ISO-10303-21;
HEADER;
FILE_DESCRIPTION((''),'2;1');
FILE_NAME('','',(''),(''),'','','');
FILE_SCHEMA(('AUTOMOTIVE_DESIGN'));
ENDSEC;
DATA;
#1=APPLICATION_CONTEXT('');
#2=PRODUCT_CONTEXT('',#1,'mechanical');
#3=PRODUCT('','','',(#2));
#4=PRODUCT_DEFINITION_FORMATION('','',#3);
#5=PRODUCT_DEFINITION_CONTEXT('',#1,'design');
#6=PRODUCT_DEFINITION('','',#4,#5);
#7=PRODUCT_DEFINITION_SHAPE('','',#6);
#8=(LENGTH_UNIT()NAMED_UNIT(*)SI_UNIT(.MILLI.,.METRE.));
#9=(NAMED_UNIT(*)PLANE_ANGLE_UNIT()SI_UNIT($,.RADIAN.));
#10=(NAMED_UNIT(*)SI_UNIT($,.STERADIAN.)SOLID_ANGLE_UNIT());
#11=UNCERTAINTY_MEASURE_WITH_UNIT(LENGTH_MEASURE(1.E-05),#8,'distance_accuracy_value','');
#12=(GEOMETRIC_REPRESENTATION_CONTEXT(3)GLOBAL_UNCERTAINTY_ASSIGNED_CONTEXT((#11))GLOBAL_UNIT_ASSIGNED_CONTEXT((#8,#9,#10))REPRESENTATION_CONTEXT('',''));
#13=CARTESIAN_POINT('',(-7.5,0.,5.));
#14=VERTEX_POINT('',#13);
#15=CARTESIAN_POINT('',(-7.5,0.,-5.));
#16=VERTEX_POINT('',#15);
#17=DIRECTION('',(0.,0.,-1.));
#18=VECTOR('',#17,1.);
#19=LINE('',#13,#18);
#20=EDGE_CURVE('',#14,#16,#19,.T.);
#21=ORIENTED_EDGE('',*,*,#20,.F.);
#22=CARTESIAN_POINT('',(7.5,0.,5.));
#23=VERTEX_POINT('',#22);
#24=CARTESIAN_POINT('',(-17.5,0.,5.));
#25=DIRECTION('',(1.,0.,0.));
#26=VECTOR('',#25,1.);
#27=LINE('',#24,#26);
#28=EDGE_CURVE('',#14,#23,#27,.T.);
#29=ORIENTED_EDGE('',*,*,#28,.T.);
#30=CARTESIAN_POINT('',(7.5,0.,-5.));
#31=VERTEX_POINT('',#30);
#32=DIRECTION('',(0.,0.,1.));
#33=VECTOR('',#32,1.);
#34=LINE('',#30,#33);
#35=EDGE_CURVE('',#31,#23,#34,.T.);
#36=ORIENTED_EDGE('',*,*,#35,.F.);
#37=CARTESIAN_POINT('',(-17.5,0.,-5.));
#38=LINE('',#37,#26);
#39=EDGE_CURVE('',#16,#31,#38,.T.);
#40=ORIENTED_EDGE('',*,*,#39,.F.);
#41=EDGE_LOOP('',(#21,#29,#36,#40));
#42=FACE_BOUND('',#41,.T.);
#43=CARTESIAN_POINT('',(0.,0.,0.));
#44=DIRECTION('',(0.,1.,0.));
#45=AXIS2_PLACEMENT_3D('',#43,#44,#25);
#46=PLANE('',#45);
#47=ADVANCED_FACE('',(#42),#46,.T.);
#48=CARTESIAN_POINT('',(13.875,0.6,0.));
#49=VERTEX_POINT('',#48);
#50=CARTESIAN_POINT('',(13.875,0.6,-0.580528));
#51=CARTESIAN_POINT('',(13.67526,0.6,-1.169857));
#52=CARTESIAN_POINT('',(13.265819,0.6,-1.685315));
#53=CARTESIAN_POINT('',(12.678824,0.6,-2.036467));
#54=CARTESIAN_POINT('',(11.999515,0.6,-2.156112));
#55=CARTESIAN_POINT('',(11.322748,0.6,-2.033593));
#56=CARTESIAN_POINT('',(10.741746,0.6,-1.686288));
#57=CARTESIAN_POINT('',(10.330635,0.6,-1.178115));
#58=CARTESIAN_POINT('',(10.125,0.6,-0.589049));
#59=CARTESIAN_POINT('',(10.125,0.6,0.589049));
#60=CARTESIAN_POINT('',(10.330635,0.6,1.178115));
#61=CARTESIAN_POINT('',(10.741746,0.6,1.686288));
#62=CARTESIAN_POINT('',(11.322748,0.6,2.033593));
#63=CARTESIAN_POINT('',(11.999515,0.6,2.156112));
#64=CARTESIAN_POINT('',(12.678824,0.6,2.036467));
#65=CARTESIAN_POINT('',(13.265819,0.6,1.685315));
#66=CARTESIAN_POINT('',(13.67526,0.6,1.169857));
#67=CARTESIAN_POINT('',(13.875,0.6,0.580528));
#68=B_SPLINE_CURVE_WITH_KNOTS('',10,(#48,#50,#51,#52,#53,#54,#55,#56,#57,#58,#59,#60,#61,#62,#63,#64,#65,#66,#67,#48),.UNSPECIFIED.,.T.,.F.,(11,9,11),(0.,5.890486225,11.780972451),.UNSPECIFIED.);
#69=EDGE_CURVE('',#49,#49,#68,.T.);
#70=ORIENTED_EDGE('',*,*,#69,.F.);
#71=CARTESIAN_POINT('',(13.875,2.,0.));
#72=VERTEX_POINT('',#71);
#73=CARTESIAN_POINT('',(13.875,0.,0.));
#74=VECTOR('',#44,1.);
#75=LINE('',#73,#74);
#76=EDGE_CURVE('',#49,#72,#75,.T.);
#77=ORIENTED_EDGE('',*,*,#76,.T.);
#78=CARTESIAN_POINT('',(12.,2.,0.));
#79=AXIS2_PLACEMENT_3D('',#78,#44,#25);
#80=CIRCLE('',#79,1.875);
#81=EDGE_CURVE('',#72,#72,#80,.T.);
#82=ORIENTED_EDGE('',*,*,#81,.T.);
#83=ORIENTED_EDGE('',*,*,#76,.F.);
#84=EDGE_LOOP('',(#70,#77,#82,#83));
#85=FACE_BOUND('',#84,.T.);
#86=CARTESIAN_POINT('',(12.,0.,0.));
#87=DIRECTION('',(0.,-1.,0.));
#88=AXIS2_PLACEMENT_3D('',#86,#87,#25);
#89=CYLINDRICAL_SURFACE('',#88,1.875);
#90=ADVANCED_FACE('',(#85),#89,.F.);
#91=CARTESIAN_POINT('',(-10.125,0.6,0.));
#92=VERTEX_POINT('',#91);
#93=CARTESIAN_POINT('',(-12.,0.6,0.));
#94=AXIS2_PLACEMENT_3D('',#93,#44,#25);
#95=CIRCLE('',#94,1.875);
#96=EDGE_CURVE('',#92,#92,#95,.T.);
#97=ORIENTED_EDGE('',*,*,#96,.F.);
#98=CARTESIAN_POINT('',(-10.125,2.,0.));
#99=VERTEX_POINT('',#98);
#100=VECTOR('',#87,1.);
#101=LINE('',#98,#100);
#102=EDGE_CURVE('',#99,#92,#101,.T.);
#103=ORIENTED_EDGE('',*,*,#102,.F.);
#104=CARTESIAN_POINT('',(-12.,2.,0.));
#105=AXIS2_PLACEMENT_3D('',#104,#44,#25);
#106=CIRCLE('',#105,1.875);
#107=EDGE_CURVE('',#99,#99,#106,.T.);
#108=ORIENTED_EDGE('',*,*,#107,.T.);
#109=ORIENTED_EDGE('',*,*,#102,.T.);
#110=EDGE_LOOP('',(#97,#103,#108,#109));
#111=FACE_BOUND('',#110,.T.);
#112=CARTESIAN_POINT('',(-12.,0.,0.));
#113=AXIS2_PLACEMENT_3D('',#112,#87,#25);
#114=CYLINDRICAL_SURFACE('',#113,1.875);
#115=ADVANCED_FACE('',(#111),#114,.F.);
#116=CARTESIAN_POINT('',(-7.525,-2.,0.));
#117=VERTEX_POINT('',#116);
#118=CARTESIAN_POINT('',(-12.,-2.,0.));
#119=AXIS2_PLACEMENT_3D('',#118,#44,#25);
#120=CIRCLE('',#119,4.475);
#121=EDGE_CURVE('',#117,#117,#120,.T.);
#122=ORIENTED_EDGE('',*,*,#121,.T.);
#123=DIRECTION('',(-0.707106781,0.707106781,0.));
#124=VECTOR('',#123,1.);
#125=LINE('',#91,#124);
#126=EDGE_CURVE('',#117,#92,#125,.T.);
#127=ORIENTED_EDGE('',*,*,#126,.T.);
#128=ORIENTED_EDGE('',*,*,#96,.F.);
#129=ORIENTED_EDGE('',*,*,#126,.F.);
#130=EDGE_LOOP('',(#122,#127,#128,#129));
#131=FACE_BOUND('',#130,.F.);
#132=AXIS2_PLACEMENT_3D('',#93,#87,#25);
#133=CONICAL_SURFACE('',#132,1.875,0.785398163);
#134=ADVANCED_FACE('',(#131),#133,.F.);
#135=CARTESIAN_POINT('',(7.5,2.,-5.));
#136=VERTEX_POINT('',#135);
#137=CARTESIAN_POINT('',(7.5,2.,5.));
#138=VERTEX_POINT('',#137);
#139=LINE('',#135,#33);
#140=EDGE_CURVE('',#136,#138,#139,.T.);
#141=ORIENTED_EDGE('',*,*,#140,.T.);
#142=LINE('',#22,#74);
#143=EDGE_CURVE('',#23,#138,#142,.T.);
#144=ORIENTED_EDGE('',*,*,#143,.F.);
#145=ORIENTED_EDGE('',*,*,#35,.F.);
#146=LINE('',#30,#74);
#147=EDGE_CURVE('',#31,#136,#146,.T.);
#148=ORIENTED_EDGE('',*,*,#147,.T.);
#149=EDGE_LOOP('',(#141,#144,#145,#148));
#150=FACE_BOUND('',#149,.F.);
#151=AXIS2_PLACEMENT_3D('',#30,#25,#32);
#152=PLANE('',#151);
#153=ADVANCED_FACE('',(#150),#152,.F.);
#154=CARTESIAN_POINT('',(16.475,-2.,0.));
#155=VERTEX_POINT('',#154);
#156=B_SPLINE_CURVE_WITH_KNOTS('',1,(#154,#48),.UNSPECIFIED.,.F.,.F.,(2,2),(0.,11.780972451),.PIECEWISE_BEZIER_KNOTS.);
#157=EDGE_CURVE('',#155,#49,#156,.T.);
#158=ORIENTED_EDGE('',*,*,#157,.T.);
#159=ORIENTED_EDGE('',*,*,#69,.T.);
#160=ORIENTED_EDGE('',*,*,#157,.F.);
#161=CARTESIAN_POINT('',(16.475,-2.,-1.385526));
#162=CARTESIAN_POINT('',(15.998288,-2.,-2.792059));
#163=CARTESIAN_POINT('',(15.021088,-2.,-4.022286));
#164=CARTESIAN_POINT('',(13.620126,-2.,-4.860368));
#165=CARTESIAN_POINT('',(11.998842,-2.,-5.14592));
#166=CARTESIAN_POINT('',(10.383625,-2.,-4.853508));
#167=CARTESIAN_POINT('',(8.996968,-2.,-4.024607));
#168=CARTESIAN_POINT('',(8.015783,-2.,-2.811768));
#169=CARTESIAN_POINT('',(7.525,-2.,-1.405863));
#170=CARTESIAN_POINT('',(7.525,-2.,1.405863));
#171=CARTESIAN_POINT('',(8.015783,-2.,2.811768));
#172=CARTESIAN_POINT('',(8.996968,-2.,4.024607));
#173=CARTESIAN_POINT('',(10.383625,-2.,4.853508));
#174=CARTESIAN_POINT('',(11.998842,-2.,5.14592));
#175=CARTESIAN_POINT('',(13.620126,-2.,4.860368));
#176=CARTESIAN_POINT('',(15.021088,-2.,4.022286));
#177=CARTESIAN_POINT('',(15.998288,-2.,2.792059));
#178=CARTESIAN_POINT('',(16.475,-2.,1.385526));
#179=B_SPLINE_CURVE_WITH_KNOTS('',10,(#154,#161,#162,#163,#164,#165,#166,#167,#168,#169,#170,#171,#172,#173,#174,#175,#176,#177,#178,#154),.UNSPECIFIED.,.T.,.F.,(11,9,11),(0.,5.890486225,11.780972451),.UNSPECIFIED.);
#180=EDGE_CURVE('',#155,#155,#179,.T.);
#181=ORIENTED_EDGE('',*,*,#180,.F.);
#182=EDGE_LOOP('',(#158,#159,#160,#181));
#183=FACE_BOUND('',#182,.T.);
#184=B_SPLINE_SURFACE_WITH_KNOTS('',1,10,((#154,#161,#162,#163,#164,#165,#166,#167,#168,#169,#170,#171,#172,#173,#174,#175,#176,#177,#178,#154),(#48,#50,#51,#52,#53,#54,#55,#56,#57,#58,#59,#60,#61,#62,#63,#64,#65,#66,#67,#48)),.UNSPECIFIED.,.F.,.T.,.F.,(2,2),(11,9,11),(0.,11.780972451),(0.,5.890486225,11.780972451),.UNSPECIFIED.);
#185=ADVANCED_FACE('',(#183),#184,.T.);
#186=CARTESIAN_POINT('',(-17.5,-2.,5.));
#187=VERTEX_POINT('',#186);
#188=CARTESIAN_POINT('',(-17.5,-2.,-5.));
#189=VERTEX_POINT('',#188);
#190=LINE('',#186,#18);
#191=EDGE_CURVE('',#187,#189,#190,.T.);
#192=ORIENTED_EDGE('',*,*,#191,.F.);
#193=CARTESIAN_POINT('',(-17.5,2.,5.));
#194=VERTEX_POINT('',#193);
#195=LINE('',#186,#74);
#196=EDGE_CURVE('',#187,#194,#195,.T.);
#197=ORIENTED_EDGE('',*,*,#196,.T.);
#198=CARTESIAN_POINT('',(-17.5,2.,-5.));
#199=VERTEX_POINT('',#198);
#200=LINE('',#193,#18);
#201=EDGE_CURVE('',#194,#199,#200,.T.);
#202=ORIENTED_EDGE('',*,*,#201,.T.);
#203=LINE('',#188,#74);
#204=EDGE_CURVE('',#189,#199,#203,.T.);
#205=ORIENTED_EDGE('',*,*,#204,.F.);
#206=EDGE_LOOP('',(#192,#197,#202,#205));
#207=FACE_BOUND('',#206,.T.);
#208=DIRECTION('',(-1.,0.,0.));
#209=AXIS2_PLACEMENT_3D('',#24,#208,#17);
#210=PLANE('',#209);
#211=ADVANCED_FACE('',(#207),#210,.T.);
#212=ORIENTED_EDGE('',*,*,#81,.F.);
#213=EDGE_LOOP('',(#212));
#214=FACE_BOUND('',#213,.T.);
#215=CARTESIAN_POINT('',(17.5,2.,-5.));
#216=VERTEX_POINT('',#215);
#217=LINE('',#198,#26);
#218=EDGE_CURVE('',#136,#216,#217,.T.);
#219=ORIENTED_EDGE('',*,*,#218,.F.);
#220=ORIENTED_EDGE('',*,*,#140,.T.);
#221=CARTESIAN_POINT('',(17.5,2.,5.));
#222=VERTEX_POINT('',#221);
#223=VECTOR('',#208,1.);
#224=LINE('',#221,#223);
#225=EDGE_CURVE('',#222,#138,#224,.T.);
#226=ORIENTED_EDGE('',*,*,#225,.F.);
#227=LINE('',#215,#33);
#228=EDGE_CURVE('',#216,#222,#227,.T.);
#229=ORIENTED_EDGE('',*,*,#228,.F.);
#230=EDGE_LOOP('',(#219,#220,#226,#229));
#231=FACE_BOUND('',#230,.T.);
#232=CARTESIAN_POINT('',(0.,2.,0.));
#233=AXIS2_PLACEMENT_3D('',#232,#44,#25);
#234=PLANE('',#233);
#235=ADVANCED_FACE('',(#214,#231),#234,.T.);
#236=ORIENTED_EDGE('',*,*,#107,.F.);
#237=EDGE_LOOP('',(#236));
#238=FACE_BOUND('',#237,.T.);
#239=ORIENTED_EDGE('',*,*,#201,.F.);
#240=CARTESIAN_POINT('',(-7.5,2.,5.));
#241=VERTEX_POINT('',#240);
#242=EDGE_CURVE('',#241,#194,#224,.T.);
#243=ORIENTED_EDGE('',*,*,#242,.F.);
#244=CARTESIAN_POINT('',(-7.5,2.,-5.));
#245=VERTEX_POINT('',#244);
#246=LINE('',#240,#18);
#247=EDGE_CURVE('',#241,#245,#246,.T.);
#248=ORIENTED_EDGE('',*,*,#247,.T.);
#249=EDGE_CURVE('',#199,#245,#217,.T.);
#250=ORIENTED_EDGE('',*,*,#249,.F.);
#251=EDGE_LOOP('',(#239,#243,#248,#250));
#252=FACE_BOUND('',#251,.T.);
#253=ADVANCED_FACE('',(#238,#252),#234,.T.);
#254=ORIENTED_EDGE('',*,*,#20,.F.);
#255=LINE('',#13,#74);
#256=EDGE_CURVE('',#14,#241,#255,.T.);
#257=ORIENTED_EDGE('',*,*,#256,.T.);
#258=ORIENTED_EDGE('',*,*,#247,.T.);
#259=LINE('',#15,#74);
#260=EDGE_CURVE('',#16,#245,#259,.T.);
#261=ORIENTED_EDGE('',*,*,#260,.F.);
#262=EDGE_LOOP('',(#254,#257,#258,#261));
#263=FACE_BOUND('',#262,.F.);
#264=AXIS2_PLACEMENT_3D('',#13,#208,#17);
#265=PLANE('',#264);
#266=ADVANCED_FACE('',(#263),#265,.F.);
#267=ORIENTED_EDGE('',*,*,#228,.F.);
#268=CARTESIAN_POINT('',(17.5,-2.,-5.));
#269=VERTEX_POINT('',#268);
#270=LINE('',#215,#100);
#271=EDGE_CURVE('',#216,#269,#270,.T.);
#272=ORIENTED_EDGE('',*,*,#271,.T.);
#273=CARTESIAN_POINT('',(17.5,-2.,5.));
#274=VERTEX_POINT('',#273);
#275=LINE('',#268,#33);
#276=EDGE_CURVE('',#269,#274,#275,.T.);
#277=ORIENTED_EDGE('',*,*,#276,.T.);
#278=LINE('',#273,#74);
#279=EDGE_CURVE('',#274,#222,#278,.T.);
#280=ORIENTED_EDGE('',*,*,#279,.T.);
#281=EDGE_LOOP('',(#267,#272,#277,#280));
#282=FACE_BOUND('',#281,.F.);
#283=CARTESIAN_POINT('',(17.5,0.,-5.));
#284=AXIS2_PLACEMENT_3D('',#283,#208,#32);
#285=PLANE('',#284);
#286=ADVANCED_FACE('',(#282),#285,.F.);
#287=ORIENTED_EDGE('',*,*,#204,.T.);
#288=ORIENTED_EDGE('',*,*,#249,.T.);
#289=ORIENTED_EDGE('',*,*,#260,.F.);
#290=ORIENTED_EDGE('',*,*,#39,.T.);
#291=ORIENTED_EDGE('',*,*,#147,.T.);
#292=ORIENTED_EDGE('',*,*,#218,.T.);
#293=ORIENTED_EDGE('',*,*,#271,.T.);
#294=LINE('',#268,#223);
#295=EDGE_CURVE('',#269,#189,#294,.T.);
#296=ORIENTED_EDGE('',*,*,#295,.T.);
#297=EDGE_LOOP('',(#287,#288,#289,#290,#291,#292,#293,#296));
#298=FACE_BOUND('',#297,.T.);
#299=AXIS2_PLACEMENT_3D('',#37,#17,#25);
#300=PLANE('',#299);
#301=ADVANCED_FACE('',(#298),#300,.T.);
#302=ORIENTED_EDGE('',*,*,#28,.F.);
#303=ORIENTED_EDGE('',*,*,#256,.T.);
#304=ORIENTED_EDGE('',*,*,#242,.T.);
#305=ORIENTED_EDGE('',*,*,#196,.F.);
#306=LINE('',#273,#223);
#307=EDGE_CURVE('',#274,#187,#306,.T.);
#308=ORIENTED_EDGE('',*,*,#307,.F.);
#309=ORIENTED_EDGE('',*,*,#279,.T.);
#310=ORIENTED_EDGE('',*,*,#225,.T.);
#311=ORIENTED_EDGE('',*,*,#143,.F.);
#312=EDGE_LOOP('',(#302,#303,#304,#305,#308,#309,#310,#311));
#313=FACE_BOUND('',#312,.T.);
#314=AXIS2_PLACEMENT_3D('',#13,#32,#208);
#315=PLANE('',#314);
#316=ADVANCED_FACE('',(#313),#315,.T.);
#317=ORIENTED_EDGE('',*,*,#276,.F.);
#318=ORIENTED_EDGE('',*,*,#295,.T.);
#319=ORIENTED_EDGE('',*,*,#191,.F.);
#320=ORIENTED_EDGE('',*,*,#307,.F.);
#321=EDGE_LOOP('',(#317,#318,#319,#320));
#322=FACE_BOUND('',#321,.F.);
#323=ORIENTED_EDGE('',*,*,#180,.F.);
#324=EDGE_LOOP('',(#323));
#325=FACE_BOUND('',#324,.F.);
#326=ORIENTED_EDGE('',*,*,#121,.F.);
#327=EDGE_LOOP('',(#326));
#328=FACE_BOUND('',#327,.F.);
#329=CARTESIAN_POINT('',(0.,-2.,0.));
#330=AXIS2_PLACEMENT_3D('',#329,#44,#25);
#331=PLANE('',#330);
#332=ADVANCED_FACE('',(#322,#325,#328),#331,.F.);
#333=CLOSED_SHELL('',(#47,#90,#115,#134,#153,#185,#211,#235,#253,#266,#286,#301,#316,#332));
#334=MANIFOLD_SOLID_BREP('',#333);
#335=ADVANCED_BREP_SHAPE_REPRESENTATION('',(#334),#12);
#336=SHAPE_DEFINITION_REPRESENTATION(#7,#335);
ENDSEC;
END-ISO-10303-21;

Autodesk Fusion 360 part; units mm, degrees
sketch "Sketch1" plane through (0, 0, 0) normal (0, 1, 0) x (1, 0, 0)
  line L0 (-17.5, 5) -> (17.5, 5)
  line L1 (17.5, 5) -> (17.5, -5)
  line L2 (17.5, -5) -> (-17.5, -5)
  line L3 (-17.5, -5) -> (-17.5, 5)
  line L4 (-17.5, 5) -> (17.5, -5) construction
  line L5 (17.5, 5) -> (-17.5, -5) construction
  line L6 (-7.5, 5) -> (7.5, 5)
  line L7 (7.5, 5) -> (7.5, -5)
  line L8 (7.5, -5) -> (-7.5, -5)
  line L9 (-7.5, -5) -> (-7.5, 5)
  line L10 (-7.5, 5) -> (7.5, -5) construction
  line L11 (7.5, 5) -> (-7.5, -5) construction
  circle A0 centre (-12, 0) radius 1.875
  line L12 (0, -5) -> (0, -10.3309) construction
  line L13 (0, -5) -> (0, -10.3309) construction
  circle A1 centre (12, 0) radius 1.875
  dimension "d1" = 15
  dimension "d2" = 35
  dimension "d3" = 10
  dimension "d4" = 3.75
extrude "Extrude1" add sketch "Sketch1" along normal blind 2 contours L0 L2 L3 L9 | L0 L1 L2 L7 makes body 1 at (-16.2917, 0, 0) makes body 2 at (16.2917, 0, 0)
extrude "Extrude2" add sketch "Sketch1" against normal blind 2 bodies 1 2
chamfer "Chamfer1" distance 2.6 angle 45 2 edges at (-13.7481, -2, 0.678) (10.2519, -2, 0.678) on bodies 1
equation "d2 = 15 mm + 4 mm + 4 mm + 8 mm + 4 mm"
